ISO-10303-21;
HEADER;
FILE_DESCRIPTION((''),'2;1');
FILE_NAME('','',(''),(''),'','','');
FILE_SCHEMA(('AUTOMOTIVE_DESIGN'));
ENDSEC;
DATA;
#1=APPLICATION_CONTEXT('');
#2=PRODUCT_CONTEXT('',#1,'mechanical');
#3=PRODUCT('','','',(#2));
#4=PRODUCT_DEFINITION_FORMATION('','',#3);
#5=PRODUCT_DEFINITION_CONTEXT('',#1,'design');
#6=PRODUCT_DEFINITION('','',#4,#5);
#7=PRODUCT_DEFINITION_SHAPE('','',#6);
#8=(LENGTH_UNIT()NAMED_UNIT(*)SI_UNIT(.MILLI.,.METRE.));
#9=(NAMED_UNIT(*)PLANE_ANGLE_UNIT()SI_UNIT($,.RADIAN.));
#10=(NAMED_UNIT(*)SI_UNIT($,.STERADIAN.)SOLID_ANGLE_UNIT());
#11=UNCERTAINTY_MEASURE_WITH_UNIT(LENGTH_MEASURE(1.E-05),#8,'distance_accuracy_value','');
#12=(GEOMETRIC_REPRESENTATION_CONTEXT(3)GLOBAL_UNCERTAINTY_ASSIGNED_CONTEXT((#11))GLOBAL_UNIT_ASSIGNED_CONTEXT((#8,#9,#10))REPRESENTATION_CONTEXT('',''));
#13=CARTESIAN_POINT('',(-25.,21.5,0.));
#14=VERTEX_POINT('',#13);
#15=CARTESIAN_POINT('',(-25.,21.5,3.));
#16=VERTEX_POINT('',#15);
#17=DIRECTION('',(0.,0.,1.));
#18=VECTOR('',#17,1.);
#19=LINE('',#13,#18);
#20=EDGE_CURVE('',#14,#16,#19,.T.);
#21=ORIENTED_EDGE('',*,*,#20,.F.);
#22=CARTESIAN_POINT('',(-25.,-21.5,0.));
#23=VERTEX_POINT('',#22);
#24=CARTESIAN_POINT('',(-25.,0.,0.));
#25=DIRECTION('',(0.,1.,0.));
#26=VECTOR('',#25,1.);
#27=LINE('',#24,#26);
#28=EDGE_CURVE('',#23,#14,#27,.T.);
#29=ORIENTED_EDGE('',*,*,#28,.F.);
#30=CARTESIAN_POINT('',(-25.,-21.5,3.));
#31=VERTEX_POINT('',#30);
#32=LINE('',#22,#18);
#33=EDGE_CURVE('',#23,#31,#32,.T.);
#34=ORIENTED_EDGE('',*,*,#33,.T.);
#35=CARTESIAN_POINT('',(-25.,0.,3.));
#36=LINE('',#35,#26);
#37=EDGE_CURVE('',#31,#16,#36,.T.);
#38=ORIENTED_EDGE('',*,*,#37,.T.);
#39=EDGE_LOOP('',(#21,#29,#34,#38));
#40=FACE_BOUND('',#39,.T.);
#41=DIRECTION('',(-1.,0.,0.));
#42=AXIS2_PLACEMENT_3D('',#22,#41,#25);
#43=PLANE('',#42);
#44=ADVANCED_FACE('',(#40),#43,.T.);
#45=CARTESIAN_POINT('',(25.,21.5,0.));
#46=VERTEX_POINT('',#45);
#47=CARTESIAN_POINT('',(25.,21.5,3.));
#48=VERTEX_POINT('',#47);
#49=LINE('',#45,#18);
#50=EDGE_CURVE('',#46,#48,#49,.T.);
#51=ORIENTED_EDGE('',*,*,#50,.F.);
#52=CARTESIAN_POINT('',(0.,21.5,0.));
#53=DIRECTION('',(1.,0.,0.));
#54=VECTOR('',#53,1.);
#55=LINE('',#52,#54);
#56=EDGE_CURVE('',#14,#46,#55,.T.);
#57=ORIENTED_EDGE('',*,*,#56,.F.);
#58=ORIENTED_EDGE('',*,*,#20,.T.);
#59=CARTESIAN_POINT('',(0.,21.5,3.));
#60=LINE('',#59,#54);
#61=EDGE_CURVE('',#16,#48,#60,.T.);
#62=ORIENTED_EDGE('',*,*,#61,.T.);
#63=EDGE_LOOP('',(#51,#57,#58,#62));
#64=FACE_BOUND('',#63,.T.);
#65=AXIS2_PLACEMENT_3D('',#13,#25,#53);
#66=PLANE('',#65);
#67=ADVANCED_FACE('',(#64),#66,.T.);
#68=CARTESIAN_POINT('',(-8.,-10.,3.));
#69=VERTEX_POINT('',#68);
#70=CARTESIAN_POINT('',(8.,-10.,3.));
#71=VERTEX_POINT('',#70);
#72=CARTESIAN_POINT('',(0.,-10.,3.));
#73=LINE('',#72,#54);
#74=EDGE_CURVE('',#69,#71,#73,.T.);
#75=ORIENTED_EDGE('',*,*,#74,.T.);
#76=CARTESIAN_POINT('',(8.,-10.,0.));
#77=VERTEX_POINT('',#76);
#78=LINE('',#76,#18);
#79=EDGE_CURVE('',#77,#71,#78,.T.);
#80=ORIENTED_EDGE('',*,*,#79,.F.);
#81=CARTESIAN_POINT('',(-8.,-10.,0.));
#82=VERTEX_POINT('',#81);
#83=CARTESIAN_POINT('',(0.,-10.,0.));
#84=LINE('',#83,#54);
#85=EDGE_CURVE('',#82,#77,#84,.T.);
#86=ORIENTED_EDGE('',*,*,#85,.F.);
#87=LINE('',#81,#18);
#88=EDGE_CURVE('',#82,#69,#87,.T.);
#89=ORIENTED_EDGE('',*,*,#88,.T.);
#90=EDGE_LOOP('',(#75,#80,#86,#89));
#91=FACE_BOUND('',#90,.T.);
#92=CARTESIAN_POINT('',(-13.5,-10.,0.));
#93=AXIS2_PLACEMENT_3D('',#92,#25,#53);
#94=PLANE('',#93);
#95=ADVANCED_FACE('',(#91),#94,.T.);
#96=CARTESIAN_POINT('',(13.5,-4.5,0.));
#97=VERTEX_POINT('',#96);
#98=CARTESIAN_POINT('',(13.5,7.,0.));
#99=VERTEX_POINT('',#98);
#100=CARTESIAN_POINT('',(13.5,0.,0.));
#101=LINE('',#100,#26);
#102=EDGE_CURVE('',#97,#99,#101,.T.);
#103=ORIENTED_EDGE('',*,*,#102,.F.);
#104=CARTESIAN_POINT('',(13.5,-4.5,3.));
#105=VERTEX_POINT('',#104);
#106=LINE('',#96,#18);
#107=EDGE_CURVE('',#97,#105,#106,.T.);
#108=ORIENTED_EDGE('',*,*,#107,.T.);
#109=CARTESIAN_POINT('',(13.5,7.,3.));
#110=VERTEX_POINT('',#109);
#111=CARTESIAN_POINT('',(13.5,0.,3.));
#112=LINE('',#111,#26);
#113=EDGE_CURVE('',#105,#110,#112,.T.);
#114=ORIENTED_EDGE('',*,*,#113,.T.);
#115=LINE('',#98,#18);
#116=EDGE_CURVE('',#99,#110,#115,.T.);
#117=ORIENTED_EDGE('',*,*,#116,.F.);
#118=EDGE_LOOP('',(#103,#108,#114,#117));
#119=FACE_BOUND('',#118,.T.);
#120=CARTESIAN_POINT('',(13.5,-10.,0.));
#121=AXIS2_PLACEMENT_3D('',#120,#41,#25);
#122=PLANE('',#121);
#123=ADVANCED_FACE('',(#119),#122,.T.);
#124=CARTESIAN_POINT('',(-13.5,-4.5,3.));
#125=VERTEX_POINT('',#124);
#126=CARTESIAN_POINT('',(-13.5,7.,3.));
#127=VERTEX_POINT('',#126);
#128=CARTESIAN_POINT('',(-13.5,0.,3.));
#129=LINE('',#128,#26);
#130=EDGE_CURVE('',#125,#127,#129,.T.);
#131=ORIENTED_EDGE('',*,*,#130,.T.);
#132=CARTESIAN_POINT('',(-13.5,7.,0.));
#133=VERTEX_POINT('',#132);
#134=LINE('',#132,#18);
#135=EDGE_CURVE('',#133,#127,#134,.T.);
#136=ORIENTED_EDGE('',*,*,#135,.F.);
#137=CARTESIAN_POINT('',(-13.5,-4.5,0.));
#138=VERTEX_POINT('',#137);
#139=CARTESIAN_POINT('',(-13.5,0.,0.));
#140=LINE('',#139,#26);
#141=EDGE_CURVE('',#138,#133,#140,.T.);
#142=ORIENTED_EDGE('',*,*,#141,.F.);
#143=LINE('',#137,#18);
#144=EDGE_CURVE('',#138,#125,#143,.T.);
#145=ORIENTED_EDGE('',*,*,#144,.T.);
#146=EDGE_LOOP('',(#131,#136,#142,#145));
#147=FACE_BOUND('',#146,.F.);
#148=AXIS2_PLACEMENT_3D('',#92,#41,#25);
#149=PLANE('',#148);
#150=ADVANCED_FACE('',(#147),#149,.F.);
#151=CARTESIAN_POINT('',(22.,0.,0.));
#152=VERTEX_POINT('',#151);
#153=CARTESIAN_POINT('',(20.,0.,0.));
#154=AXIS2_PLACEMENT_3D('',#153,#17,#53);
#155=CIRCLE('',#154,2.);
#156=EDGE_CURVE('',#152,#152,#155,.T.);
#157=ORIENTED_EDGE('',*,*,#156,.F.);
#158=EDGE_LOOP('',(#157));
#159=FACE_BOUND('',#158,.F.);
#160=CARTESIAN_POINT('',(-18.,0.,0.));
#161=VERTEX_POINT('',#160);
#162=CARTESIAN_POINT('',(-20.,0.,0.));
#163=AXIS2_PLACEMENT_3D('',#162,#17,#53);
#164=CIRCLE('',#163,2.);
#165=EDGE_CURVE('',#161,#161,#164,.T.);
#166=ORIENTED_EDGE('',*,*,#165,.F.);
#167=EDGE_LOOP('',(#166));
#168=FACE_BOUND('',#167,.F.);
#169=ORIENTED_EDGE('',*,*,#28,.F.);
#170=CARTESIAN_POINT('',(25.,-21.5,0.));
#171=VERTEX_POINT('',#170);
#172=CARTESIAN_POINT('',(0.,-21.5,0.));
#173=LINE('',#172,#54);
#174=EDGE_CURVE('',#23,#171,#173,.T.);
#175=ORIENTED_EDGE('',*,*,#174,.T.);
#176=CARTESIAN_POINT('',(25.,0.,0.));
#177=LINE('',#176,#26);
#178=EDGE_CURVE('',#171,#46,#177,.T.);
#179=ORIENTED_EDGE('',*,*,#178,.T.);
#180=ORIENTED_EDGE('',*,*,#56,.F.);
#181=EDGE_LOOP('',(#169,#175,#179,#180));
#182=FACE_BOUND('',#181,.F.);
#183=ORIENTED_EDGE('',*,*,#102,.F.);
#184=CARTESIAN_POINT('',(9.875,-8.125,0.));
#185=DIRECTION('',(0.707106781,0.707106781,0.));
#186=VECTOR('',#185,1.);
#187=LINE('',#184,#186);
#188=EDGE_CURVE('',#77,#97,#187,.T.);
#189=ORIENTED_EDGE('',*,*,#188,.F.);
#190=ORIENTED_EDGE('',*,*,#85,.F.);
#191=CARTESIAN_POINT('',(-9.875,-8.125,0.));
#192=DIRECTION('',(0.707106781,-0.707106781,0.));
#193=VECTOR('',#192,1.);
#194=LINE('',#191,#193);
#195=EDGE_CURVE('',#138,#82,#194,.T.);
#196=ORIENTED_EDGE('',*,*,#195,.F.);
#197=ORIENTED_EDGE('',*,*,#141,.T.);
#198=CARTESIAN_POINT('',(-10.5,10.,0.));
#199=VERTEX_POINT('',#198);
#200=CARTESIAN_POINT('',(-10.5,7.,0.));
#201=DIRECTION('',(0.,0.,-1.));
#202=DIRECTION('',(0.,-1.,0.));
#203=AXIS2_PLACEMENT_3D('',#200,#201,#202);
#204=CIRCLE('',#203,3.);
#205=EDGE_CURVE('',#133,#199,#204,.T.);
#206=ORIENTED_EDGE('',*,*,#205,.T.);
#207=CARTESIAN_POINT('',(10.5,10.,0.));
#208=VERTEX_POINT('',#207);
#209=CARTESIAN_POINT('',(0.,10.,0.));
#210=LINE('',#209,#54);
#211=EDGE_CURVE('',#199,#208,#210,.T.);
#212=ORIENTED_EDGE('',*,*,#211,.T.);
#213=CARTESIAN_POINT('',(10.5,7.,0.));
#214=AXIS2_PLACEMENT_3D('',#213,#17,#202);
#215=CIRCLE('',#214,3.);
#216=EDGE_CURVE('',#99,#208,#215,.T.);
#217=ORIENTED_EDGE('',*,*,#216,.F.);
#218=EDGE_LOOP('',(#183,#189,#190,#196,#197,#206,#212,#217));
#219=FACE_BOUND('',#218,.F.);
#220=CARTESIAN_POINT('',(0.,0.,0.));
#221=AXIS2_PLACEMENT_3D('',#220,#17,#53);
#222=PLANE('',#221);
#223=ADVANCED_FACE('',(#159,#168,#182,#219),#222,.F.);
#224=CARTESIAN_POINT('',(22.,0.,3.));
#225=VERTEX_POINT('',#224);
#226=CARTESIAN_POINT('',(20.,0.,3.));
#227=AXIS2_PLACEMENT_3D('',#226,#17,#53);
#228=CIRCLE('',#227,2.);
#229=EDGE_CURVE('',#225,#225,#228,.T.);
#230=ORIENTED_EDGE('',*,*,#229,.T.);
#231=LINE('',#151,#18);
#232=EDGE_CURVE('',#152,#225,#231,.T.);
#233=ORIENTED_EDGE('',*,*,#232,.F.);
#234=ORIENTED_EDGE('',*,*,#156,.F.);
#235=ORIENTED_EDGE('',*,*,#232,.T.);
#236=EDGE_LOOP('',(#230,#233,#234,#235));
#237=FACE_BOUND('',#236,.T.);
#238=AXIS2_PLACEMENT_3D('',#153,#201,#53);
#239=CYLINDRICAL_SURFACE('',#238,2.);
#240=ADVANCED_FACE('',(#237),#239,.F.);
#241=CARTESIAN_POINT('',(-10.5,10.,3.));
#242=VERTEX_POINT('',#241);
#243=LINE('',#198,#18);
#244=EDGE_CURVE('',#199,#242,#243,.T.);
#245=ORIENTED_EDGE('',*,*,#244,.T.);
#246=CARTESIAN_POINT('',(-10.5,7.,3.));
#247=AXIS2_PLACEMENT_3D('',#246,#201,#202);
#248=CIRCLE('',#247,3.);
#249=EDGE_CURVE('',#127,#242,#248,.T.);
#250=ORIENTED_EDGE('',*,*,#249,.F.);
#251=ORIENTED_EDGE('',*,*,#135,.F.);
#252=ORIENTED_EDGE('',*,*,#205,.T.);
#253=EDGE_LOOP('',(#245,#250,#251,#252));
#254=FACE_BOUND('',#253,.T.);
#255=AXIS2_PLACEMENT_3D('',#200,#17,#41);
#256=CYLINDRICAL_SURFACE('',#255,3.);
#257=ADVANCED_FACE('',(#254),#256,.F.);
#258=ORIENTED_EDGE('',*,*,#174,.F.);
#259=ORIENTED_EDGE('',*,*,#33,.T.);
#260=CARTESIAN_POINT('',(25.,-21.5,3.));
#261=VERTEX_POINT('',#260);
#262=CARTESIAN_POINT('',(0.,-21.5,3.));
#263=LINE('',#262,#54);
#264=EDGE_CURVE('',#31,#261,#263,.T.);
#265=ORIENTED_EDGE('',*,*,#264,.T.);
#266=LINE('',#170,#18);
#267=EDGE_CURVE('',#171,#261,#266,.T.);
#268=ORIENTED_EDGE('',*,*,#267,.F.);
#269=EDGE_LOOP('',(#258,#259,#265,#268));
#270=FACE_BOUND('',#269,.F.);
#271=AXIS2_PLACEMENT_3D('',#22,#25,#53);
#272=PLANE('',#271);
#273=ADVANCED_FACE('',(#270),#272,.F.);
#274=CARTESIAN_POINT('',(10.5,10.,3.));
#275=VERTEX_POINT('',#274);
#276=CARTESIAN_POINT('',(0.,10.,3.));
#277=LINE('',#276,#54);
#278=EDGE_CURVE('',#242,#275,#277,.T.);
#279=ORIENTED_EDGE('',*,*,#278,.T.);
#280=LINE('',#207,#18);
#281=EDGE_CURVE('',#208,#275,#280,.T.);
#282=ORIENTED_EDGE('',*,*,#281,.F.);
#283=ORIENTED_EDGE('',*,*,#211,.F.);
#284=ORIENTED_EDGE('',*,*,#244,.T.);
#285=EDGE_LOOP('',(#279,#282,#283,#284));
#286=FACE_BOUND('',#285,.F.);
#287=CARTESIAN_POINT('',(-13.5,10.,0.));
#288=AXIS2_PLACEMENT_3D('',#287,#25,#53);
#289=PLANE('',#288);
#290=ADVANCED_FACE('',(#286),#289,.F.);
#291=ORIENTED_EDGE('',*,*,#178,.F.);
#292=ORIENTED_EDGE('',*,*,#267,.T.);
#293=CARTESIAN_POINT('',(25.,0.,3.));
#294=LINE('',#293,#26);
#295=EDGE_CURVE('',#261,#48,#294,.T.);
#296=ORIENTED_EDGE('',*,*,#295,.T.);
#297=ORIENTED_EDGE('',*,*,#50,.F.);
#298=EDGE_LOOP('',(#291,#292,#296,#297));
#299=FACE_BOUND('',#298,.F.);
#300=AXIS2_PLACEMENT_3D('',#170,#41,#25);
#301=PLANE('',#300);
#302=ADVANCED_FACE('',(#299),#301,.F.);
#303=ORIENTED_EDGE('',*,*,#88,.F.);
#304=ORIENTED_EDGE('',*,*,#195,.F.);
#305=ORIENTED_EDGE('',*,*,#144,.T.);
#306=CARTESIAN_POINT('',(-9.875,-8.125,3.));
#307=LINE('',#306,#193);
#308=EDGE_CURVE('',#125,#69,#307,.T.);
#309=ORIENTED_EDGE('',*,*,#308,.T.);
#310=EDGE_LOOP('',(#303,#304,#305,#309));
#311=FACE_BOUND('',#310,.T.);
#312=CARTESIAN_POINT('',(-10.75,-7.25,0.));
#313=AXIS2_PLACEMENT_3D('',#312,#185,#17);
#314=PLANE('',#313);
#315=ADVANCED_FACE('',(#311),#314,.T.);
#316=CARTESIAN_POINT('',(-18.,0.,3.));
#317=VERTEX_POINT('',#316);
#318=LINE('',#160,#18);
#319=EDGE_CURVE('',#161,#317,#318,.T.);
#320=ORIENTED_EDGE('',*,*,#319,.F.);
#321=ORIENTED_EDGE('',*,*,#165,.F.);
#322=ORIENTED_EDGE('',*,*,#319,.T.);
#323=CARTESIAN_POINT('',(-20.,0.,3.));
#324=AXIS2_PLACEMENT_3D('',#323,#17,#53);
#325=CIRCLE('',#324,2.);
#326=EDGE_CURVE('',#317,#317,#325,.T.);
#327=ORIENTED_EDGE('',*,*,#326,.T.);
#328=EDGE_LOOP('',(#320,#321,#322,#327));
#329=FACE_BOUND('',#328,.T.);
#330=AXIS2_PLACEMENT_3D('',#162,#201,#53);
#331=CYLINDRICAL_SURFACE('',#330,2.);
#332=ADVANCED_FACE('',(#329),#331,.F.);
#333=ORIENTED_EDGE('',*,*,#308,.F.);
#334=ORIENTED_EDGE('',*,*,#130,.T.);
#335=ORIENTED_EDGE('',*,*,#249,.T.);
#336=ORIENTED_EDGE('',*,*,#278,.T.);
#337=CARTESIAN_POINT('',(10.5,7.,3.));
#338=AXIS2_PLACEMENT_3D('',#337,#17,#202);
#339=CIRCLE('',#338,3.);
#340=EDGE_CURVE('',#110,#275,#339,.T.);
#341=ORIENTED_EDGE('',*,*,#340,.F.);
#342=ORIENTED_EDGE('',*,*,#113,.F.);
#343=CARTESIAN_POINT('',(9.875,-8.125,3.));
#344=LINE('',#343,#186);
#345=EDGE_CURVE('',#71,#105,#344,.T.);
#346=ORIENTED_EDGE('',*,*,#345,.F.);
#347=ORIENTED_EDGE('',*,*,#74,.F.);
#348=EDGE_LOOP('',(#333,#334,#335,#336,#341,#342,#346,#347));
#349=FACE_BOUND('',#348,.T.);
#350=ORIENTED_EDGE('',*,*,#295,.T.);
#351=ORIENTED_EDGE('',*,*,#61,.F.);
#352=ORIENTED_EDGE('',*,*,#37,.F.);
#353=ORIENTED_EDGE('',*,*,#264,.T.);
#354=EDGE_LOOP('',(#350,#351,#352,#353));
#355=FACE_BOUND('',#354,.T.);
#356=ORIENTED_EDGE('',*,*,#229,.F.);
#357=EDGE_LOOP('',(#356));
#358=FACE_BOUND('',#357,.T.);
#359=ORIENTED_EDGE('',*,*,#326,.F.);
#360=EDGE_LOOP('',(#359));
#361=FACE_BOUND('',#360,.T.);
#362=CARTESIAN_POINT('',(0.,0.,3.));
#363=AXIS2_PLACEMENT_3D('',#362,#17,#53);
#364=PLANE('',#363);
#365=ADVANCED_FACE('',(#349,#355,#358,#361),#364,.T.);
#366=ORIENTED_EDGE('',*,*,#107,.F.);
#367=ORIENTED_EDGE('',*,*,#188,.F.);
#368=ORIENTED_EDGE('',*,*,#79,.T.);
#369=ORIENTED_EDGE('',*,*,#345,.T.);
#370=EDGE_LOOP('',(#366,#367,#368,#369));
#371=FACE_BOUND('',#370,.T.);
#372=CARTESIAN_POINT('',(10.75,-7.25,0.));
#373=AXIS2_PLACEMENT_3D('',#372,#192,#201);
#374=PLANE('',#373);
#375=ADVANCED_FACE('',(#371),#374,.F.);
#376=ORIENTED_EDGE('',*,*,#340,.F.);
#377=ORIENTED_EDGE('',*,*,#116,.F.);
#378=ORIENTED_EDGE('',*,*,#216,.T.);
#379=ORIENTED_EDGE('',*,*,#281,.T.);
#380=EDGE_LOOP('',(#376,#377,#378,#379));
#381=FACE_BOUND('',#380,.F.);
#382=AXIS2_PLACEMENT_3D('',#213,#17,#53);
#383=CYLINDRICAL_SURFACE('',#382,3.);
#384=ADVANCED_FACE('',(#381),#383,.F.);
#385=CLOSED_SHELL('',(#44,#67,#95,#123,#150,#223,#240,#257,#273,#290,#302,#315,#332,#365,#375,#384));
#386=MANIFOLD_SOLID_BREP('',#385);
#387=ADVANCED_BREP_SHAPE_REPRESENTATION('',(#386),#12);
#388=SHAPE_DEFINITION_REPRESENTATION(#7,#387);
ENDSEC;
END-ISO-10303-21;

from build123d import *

# Parameters (mm, degrees)
F0_W     = 50
F0_H     = 43
F0_R     = 2
F0_W_2   = 27
F0_H_2   = 20
F1_DEPTH = 3
F2_R     = 3
F3_SIZE  = 5.5


with BuildPart() as f1:
    # F0 (on Top) → F1 (new body)
    with BuildSketch(Plane.XY):
        Rectangle(F0_W, F0_H)
        with Locations((-20, 0)):
            Circle(F0_R, mode=Mode.SUBTRACT)
        Rectangle(F0_W_2, F0_H_2, mode=Mode.SUBTRACT)
        with Locations((20, 0)):
            Circle(F0_R, mode=Mode.SUBTRACT)
    extrude(amount=F1_DEPTH)

    # F2
    f2_edges = [f1.edges().sort_by_distance(p)[0] for p in [
        (-13.5, 10, 1.5),
        (13.5, 10, 1.5),
    ]]
    fillet(f2_edges, radius=F2_R)

    # F3
    f3_edges = [f1.edges().sort_by_distance(p)[0] for p in [
        (-13.5, -10, 1.5),
        (13.5, -10, 1.5),
    ]]
    chamfer(f3_edges, length=F3_SIZE)


solid = f1.part
